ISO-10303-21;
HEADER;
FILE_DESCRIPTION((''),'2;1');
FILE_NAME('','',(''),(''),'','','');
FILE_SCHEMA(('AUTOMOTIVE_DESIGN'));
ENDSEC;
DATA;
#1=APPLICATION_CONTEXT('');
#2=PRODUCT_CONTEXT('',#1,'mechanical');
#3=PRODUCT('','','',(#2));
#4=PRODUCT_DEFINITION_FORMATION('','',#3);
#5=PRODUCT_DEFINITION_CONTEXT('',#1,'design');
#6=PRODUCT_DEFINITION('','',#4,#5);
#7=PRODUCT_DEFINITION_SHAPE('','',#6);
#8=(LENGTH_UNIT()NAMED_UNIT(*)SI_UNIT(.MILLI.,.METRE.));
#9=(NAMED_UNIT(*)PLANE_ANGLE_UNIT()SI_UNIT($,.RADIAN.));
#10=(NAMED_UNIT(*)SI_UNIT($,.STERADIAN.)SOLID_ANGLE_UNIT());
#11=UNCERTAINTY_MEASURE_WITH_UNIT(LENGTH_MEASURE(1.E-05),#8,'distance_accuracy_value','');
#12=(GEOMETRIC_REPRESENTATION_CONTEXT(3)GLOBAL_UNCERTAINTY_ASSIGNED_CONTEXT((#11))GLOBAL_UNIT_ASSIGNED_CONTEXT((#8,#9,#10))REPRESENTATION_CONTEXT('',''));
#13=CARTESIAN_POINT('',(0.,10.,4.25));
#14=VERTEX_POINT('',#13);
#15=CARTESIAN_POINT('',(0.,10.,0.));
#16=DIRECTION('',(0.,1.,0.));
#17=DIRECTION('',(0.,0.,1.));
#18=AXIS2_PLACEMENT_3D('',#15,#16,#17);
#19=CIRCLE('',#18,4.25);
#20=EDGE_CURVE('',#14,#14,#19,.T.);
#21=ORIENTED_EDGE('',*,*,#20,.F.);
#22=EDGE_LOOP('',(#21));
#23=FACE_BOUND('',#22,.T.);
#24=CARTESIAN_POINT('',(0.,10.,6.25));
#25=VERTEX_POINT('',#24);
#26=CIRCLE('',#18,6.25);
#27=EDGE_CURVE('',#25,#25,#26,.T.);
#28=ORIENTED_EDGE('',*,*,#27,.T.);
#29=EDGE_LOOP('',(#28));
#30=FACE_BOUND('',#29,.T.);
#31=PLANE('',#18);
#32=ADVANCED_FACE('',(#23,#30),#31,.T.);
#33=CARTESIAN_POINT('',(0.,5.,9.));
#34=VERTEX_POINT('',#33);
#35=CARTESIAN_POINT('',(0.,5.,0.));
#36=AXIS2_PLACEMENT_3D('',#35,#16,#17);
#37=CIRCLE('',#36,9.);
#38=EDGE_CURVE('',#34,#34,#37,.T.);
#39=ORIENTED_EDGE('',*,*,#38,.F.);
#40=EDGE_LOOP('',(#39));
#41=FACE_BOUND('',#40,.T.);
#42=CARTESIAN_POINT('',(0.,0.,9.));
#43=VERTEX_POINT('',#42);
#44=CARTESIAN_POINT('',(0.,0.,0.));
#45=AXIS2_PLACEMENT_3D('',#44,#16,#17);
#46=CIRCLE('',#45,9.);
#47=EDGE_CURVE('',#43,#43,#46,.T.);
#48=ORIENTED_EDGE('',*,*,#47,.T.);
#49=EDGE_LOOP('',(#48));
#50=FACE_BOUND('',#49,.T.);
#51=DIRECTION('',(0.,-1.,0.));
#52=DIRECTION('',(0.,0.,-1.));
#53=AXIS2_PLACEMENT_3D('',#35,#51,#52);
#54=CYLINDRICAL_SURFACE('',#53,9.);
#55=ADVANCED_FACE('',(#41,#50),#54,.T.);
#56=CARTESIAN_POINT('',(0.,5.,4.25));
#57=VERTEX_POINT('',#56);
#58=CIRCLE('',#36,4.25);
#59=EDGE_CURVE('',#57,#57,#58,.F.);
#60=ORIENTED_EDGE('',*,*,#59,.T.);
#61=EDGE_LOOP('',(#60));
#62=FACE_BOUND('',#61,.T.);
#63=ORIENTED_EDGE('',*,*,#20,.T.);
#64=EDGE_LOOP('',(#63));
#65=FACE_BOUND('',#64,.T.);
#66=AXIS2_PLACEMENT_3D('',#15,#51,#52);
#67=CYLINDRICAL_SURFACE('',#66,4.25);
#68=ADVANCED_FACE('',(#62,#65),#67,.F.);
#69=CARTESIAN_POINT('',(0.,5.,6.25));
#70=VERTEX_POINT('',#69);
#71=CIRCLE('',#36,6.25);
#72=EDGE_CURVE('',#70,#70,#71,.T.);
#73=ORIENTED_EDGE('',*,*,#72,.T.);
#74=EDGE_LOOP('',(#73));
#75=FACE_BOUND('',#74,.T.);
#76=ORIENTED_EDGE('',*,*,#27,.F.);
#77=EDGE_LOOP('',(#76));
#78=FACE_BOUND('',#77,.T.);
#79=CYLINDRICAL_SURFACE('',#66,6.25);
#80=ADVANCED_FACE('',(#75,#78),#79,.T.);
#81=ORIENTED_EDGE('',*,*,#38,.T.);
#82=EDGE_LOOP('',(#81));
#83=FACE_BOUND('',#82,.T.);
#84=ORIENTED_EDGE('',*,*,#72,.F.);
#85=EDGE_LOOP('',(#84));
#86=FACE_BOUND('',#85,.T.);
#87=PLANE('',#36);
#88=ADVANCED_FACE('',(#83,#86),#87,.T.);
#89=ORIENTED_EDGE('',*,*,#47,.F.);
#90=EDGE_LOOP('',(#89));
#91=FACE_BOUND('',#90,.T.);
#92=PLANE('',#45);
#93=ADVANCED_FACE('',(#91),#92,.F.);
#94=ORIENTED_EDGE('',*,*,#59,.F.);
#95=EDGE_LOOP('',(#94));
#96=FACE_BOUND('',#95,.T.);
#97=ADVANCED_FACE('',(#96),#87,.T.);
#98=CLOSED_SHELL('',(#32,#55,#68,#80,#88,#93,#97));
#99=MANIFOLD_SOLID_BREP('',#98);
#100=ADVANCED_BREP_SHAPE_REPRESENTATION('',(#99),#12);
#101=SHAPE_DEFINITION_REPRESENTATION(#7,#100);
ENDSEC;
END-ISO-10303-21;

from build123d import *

# Parameters (mm, degrees)
SKETCH1_R           = 9
BOSS_EXTRUDE1_DEPTH = 5
SKETCH2_R           = 6.25
SKETCH2_R_2         = 4.25
BOSS_EXTRUDE3_DEPTH = 5


with BuildPart() as part:
    # Sketch1 → Boss-Extrude1 (new body)
    with BuildSketch(Plane(origin=(0, 0, 0), x_dir=(1, 0, 0), z_dir=(0, 1, 0))):
        with Locations(Location((0, 0, 0), (0, 0, 270))):
            Circle(SKETCH1_R)
    extrude(amount=BOSS_EXTRUDE1_DEPTH)

    # Sketch2 → Boss-Extrude3 (add)
    with BuildSketch(Plane(origin=(0, 5, 0), x_dir=(1, 0, 0), z_dir=(0, 1, 0))):
        with Locations(Location((0, 0, 0), (0, 0, 270))):
            Circle(SKETCH2_R)
        with Locations(Location((0, 0, 0), (0, 0, 270))):
            Circle(SKETCH2_R_2, mode=Mode.SUBTRACT)
    extrude(amount=BOSS_EXTRUDE3_DEPTH)


solid = part.part
